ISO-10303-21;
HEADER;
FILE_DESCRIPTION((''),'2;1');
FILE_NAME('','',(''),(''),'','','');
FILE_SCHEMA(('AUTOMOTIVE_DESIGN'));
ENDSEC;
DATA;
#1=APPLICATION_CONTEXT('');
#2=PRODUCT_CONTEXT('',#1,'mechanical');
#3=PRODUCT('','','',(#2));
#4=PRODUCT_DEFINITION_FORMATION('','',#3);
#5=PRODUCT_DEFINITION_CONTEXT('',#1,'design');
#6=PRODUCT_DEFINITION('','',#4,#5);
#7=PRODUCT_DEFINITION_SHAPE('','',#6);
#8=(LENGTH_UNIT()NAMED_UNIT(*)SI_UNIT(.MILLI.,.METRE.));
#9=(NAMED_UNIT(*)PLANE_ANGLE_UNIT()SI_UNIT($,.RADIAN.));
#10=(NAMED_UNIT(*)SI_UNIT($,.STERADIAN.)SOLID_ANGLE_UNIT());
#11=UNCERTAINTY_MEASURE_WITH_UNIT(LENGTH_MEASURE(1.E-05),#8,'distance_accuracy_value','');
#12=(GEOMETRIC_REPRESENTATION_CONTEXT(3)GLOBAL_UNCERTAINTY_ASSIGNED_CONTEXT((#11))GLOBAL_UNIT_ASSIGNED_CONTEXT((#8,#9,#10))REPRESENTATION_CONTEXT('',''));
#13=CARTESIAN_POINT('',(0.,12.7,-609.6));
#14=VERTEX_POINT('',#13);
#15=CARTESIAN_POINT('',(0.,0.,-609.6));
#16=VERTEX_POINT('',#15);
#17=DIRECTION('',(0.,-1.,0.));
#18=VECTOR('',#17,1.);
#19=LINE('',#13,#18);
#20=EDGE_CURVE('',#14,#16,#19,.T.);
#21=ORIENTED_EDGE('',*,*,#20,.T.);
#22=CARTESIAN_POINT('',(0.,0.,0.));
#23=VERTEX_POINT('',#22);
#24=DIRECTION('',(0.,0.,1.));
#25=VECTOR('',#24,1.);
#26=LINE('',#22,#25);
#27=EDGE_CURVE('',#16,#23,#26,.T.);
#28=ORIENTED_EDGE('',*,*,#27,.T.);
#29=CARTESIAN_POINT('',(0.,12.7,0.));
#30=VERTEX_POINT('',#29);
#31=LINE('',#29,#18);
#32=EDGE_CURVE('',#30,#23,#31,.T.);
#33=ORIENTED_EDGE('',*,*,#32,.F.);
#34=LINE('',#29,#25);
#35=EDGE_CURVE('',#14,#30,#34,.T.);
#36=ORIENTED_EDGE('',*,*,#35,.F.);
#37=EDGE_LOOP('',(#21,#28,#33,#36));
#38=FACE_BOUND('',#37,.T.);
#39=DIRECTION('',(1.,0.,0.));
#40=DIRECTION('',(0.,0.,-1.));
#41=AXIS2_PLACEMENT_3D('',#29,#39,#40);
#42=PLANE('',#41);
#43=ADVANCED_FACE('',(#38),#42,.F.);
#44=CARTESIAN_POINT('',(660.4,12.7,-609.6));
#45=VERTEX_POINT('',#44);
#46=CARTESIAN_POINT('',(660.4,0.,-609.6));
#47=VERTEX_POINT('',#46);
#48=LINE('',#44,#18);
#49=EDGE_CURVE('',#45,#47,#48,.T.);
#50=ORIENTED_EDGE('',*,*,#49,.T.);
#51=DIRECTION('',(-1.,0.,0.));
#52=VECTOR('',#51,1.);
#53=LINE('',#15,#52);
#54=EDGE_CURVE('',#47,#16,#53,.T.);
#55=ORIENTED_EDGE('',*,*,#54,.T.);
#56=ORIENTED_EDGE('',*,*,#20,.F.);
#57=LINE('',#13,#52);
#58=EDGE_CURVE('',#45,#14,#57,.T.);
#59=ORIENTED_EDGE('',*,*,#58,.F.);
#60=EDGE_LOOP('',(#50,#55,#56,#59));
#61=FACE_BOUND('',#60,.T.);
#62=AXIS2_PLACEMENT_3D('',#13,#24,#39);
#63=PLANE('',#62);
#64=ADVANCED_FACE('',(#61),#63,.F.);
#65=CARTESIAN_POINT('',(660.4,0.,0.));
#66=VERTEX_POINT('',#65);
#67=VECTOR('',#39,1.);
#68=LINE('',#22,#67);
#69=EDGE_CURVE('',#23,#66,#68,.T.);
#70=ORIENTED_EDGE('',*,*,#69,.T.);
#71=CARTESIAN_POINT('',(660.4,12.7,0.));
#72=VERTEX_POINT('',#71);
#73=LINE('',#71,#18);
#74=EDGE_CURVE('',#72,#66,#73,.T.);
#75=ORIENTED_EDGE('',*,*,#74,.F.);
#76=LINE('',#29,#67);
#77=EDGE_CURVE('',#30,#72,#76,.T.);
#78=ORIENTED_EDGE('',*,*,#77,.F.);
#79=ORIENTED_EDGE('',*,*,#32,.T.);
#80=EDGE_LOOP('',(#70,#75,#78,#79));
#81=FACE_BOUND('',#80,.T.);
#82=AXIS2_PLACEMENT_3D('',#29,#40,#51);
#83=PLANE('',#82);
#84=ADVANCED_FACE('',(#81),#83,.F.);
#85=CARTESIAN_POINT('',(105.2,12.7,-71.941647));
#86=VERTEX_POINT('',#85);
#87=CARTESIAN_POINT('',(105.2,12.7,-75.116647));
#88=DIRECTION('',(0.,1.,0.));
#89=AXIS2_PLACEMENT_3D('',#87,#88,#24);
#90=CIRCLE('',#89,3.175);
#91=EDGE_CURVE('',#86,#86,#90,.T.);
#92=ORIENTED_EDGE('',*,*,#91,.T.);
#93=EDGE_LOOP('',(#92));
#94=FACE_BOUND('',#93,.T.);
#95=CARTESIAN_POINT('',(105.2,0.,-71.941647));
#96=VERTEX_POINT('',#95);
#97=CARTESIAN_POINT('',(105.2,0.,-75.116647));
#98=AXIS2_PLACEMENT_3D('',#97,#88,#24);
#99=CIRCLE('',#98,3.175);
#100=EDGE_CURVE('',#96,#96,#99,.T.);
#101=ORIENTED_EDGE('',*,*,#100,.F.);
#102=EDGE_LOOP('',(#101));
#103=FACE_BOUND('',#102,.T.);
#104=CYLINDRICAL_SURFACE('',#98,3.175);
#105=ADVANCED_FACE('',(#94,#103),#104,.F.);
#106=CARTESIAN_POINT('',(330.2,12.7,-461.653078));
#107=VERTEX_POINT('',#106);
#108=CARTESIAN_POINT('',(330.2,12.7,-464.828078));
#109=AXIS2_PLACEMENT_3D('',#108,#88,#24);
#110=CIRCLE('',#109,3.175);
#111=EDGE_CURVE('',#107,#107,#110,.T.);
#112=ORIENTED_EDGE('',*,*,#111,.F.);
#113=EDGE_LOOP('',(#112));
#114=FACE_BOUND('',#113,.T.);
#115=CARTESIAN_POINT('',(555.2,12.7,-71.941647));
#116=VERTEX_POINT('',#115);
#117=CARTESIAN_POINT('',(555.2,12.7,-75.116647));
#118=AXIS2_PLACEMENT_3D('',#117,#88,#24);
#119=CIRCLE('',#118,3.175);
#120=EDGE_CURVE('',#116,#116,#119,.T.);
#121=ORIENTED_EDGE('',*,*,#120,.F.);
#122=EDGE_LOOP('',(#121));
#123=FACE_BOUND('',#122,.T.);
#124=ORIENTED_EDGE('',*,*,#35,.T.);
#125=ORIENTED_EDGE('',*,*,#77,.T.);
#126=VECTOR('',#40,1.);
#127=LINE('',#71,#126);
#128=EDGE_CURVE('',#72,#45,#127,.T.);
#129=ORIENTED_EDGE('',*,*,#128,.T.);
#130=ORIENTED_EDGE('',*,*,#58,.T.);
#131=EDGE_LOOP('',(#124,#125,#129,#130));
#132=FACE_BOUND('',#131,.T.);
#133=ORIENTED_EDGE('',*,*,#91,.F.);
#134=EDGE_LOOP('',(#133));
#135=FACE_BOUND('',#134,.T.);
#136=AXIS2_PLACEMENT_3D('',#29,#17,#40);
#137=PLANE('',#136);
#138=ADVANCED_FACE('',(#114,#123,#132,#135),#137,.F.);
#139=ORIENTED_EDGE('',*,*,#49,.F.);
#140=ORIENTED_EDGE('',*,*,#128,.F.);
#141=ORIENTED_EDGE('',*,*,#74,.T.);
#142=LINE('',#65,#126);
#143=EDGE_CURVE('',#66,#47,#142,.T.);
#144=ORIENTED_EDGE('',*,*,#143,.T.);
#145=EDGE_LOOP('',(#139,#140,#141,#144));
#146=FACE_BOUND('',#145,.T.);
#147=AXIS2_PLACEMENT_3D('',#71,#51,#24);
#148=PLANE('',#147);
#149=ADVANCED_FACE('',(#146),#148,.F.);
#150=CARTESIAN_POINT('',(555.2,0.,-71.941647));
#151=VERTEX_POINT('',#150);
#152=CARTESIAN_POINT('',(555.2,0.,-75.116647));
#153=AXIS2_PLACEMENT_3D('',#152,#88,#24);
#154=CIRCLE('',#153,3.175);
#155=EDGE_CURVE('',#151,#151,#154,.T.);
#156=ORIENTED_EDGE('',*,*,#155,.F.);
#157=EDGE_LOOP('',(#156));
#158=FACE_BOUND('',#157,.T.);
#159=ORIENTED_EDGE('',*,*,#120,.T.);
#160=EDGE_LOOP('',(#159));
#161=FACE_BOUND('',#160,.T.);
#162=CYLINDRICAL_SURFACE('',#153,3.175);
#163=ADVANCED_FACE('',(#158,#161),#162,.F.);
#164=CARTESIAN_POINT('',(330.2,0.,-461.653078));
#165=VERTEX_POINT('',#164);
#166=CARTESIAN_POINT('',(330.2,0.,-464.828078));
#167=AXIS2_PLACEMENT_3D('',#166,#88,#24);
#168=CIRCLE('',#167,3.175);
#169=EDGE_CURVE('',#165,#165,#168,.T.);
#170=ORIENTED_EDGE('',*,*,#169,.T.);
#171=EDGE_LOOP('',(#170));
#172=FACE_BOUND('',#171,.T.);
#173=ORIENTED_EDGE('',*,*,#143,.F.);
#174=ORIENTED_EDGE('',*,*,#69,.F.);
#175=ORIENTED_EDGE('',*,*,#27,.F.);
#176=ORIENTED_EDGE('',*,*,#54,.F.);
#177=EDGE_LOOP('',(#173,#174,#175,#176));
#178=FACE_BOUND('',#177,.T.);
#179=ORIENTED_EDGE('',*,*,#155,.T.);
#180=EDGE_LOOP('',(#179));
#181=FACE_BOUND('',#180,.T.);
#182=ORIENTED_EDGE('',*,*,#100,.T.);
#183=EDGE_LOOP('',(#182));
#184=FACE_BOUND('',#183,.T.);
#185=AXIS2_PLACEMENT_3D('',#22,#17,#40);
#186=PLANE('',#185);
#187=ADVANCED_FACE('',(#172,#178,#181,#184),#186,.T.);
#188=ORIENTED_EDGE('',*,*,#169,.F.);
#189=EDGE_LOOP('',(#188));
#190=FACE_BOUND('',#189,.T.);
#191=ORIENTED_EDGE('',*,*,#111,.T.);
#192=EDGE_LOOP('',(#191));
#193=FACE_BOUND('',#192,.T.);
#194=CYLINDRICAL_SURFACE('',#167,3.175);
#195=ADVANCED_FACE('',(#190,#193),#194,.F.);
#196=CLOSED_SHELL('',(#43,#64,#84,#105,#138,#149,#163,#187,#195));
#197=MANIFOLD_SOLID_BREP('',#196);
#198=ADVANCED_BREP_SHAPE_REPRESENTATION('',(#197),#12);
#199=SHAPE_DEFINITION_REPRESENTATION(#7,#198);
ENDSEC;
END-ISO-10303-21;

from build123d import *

# Parameters (mm, degrees)
SKETCH1_W           = 660.4
SKETCH1_H           = 609.6
BOSS_EXTRUDE1_DEPTH = 12.7
SKETCH5_R           = 3.175
CUT_EXTRUDE2_DEPTH  = 13.7


with BuildPart() as part:
    # Sketch1 → Boss-Extrude1 (new body)
    with BuildSketch(Plane(origin=(0, 0, 0), x_dir=(1, 0, 0), z_dir=(0, 1, 0))):
        with Locations((330.2, 304.8)):
            Rectangle(SKETCH1_W, SKETCH1_H)
    extrude(amount=BOSS_EXTRUDE1_DEPTH)

    # Sketch5 → Cut-Extrude2 (cut, through all)
    with BuildSketch(Plane(origin=(0, 12.7, 0), x_dir=(1, 0, 0), z_dir=(0, 1, 0))):
        with Locations((105.2, 75.116646637)):
            Circle(SKETCH5_R)
        with Locations((555.2, 75.116646637)):
            Circle(SKETCH5_R)
        with Locations((330.2, 464.82807834)):
            Circle(SKETCH5_R)
    extrude(amount=-CUT_EXTRUDE2_DEPTH, mode=Mode.SUBTRACT)


solid = part.part
